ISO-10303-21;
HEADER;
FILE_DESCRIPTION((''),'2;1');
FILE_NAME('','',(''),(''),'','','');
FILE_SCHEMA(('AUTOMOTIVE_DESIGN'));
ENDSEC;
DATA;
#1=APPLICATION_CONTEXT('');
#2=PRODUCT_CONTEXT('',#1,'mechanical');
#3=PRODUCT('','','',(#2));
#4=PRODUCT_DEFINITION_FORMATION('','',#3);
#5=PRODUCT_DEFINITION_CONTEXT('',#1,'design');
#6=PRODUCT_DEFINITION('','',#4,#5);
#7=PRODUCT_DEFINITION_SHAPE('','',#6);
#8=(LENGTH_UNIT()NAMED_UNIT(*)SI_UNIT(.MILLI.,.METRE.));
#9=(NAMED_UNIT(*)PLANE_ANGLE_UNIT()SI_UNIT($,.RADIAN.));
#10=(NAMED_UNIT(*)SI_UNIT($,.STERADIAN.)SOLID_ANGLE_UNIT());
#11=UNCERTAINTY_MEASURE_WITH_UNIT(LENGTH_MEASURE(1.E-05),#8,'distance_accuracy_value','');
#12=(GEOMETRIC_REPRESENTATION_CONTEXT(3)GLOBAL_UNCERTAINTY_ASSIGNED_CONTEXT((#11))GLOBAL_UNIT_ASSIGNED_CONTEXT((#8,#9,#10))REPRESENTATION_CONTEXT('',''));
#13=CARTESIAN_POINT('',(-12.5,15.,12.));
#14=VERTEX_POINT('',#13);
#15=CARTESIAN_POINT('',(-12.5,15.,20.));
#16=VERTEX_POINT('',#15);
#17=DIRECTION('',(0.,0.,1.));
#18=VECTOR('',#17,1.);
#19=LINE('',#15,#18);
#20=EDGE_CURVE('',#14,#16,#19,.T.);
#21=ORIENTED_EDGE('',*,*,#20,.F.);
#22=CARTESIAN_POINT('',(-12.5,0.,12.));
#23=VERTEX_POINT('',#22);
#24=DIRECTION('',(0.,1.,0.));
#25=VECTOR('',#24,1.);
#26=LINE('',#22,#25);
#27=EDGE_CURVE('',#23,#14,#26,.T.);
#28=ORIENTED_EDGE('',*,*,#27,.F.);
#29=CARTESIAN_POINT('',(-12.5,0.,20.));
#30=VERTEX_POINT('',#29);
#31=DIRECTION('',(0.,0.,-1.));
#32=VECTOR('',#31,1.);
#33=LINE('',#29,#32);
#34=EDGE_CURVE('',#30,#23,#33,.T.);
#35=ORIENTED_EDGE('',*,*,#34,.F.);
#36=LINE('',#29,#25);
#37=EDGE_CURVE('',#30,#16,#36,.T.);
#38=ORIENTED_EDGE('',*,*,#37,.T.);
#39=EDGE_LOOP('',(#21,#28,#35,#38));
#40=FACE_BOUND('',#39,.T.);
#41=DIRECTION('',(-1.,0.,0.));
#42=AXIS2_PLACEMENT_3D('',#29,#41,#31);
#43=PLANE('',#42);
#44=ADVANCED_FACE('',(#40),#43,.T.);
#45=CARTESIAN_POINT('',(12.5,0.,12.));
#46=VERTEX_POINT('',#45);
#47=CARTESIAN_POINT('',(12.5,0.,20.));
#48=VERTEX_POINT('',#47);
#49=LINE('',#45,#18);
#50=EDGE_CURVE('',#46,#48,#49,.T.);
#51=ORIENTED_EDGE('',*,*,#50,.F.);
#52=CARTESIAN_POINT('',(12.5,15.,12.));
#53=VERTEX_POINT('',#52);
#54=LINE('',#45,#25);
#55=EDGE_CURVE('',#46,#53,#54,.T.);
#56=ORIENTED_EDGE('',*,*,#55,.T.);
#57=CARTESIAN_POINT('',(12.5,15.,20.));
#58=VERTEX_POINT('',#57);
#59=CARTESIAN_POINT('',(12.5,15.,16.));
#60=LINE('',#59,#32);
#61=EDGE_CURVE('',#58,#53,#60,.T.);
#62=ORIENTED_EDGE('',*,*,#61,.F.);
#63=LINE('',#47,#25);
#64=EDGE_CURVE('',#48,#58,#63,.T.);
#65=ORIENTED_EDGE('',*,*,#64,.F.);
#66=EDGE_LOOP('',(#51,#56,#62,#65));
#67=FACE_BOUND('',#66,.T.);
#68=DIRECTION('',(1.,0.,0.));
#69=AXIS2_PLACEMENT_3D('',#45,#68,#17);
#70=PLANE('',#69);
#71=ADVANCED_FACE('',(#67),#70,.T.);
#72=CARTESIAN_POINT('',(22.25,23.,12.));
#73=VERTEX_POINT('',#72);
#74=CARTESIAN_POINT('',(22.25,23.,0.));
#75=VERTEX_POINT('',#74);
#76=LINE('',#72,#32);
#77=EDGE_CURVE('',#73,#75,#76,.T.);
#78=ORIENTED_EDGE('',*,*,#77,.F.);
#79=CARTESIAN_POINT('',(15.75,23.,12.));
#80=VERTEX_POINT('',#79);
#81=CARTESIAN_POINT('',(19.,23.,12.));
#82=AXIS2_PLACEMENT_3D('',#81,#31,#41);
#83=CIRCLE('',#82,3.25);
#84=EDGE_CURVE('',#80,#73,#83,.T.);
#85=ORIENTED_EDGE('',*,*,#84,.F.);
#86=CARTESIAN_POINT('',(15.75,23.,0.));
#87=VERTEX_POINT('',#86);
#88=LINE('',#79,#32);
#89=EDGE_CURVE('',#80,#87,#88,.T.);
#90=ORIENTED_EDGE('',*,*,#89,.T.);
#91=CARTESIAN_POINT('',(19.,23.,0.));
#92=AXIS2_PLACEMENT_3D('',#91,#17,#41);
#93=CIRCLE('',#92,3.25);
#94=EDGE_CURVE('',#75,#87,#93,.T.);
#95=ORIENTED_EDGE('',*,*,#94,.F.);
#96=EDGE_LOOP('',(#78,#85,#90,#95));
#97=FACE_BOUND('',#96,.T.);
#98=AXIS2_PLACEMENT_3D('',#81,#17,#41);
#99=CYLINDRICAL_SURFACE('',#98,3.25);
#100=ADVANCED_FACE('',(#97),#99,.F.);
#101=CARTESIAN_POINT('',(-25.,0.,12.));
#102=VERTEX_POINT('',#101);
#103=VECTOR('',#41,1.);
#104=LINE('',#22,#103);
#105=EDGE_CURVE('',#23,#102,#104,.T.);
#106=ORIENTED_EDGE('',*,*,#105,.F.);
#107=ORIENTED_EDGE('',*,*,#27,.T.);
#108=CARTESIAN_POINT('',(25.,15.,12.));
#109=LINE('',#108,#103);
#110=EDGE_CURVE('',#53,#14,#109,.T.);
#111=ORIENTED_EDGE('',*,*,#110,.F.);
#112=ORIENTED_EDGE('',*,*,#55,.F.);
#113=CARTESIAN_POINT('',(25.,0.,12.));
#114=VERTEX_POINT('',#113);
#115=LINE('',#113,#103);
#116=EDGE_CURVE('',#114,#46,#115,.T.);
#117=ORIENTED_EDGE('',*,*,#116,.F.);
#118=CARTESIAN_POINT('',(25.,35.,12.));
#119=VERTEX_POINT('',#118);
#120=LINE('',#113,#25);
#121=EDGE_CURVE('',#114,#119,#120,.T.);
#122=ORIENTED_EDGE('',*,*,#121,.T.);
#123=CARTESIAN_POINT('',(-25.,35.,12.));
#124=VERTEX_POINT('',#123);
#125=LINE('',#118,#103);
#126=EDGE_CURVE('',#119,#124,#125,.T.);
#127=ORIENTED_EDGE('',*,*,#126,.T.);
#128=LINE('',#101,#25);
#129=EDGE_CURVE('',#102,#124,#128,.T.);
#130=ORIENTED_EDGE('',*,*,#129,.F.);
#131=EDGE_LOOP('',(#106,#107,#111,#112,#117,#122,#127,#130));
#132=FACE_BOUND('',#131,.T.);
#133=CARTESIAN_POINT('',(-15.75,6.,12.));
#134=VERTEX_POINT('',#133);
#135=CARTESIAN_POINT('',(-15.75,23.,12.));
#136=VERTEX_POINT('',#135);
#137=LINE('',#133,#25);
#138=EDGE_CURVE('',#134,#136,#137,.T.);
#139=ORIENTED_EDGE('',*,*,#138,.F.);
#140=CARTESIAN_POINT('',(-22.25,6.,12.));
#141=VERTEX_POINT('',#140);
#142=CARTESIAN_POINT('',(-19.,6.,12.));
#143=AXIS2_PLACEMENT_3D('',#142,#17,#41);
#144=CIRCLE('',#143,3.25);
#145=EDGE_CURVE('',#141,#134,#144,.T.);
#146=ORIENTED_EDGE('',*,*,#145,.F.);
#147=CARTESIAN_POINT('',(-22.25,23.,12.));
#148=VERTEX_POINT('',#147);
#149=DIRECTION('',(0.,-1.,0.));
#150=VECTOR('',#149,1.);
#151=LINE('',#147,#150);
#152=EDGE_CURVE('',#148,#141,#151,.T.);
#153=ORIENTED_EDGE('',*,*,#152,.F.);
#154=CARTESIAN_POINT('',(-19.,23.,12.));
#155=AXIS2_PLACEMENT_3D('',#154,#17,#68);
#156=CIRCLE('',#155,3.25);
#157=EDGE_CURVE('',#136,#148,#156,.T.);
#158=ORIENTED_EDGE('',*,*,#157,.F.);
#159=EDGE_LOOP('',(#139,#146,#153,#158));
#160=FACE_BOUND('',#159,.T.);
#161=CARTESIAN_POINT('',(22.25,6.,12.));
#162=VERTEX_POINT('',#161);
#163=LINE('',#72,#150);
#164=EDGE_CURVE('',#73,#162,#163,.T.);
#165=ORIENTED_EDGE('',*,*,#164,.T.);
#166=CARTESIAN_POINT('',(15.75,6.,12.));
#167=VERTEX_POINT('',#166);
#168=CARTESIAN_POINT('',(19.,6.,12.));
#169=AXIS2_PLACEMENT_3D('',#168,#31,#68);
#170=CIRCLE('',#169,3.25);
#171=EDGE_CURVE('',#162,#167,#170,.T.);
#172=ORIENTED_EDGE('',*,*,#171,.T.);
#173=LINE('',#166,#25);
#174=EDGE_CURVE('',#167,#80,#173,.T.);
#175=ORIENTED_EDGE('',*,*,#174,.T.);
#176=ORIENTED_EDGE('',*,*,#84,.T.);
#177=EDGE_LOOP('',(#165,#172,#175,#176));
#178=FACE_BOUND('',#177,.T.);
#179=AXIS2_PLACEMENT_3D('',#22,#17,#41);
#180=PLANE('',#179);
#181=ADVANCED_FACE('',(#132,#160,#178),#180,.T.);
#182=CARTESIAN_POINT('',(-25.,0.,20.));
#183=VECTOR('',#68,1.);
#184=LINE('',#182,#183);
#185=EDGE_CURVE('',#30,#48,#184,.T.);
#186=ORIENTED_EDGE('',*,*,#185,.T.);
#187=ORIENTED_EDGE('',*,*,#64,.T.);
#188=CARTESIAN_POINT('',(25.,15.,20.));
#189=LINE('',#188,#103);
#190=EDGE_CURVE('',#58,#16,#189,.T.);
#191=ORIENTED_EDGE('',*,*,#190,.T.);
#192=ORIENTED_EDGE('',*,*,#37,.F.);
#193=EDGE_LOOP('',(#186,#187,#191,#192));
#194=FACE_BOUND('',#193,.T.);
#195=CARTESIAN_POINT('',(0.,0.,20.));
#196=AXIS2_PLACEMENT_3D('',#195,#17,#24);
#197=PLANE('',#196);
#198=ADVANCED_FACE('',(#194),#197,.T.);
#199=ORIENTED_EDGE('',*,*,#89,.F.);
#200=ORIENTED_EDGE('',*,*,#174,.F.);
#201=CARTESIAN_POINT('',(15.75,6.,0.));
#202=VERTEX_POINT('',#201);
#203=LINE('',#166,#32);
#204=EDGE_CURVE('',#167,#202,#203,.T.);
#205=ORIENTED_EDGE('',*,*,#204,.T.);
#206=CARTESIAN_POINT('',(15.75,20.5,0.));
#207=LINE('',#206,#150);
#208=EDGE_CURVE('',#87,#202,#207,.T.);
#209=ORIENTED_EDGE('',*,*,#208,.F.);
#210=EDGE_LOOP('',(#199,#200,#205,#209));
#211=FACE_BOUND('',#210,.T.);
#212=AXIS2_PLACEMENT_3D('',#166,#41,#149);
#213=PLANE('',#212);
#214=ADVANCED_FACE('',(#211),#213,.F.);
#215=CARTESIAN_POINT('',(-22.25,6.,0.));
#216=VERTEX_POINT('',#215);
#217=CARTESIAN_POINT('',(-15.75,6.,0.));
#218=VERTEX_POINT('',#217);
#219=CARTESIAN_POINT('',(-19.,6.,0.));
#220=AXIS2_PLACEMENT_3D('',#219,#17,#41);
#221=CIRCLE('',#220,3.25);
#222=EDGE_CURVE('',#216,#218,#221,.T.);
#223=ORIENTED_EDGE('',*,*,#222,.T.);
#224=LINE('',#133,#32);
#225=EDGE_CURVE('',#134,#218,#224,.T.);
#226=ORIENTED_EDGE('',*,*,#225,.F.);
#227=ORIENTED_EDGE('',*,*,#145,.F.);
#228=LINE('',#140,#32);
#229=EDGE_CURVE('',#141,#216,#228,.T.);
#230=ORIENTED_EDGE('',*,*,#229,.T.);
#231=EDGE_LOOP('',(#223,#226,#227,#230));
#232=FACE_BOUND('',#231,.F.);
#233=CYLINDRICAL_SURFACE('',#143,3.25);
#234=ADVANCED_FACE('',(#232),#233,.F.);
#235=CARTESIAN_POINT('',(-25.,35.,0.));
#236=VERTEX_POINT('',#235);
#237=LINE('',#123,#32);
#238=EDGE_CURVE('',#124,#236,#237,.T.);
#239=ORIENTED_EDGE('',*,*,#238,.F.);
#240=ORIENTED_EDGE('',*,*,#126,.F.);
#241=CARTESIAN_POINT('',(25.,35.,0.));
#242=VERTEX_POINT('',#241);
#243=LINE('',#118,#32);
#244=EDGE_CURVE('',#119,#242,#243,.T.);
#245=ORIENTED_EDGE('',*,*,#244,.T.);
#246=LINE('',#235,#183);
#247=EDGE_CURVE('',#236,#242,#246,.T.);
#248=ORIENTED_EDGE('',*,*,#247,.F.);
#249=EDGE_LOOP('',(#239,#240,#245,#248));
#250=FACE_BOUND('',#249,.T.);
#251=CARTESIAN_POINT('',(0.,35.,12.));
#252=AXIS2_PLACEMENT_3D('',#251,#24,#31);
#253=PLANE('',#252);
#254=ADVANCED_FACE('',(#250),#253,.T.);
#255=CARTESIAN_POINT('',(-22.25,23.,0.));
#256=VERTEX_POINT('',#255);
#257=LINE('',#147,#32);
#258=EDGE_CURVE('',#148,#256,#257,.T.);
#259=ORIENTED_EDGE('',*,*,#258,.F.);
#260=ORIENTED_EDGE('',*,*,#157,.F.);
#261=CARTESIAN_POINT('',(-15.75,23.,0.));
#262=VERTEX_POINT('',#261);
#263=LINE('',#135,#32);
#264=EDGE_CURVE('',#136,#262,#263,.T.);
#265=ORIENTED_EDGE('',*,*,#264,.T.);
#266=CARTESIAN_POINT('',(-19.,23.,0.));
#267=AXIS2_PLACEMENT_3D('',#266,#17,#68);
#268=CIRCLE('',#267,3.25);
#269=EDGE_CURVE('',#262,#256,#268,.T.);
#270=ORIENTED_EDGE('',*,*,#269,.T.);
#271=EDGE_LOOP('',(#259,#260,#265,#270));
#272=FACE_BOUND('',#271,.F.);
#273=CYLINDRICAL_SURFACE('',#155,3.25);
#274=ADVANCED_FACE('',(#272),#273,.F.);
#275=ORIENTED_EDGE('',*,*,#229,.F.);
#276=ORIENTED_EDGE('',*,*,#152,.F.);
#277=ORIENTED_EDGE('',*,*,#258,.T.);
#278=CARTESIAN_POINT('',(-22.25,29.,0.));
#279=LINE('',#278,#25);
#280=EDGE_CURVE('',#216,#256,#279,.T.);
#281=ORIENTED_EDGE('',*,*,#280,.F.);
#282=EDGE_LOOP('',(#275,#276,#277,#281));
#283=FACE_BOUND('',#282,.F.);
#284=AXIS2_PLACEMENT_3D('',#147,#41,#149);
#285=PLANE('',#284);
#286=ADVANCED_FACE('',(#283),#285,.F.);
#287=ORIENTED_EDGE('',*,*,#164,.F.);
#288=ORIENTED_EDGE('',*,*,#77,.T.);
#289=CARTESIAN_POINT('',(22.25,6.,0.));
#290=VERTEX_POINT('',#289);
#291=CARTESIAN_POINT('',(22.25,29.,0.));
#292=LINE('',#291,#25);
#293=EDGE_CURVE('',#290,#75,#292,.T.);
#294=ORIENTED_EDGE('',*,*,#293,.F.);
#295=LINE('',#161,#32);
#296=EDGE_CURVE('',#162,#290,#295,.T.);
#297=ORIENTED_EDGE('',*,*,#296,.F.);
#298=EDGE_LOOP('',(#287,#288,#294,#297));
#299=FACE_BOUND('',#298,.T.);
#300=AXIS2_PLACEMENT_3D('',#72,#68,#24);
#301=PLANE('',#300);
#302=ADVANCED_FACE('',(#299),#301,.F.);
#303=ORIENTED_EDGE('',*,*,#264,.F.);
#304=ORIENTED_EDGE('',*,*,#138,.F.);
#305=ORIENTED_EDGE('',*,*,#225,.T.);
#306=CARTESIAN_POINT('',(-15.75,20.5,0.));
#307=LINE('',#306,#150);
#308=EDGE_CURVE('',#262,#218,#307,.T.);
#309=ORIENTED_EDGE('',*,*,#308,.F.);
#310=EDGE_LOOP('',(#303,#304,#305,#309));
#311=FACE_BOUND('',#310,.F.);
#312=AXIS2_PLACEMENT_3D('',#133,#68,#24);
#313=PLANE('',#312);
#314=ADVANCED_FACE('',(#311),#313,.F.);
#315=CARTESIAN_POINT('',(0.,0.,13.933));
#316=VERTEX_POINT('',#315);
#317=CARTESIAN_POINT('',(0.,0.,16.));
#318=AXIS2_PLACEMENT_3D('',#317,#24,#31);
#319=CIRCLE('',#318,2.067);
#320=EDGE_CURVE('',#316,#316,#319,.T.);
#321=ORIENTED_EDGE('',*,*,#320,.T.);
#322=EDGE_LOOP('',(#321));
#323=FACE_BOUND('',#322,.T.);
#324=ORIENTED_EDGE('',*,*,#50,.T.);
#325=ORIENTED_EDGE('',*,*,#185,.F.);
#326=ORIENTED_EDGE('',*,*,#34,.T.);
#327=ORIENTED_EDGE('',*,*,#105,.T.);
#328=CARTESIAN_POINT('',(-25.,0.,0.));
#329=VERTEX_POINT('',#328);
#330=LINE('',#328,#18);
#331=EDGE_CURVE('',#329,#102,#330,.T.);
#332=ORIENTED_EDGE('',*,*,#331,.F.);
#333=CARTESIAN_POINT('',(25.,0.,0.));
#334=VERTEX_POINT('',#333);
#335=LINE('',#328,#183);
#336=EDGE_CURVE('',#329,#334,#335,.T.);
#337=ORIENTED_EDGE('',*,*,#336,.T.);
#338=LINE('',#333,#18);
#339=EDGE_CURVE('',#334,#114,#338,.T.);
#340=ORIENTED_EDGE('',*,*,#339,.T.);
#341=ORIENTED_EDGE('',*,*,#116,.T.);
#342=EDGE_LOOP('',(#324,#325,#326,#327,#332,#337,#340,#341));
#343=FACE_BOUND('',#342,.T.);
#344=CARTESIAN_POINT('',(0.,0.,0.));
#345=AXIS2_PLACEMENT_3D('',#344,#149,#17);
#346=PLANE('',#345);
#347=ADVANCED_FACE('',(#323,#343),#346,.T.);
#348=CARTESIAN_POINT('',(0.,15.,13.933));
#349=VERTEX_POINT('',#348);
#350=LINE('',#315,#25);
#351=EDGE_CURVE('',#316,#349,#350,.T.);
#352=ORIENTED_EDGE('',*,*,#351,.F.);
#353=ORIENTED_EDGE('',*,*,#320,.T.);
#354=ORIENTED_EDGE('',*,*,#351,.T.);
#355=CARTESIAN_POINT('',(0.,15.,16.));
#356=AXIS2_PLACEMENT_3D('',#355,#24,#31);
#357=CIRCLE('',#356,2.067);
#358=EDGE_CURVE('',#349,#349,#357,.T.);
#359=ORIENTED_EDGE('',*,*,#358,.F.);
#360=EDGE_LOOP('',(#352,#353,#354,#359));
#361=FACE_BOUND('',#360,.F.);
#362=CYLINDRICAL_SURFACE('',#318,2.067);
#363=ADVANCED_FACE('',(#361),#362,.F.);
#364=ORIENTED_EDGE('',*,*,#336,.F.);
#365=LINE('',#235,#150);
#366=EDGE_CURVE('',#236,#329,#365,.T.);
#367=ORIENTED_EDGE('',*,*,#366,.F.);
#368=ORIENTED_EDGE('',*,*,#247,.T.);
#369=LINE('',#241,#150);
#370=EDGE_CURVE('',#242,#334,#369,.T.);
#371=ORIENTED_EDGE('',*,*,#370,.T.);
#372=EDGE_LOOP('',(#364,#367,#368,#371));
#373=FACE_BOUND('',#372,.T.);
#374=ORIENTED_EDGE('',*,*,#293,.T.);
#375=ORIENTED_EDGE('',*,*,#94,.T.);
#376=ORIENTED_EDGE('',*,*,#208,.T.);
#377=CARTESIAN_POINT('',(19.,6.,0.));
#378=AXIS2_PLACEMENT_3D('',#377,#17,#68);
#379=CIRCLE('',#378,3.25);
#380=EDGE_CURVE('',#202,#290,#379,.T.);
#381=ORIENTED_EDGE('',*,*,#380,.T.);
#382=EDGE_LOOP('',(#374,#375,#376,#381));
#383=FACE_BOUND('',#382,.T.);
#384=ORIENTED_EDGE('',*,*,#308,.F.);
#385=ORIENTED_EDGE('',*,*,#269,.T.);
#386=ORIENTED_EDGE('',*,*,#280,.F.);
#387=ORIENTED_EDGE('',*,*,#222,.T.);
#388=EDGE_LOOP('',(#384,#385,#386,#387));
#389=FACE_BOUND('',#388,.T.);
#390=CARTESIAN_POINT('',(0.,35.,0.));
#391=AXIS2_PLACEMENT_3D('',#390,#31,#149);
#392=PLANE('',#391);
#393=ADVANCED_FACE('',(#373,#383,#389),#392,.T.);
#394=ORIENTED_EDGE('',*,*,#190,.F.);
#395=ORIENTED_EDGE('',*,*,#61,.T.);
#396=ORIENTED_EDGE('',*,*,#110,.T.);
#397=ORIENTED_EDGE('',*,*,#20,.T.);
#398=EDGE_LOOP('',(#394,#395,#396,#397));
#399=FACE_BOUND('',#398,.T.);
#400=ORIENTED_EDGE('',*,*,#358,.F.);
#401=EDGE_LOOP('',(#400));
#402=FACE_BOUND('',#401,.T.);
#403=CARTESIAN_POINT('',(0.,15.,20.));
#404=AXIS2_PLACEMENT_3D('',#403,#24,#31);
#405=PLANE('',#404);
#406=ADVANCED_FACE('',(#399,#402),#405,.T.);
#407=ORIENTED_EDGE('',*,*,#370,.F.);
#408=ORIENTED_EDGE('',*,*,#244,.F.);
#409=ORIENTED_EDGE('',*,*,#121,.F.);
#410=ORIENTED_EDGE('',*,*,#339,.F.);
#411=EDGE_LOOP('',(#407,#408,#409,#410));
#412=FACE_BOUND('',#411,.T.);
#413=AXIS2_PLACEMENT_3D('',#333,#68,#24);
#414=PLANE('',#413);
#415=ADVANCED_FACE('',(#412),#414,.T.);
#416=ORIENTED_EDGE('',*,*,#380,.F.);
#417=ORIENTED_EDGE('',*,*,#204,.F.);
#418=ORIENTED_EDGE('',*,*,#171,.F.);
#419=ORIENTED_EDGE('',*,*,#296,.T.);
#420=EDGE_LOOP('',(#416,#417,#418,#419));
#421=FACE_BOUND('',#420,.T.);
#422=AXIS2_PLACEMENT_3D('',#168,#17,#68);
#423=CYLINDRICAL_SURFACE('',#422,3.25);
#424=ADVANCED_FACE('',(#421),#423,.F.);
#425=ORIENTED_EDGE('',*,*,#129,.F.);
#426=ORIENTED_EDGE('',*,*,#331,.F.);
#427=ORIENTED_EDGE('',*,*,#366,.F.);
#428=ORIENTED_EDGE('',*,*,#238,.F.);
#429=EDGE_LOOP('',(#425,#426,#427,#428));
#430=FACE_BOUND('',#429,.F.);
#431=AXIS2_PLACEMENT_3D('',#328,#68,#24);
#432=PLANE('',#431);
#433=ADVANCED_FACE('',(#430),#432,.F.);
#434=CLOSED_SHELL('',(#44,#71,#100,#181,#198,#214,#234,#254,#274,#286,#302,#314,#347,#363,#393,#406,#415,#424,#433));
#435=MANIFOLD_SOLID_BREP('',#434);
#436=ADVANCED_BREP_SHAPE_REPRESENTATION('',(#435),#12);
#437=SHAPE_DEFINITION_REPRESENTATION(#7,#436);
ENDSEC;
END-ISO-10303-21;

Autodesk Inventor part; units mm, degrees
ref_plane "YZ Plane" through (0, 0, 0) normal (1, 0, 0) x (0, 1, 0)
ref_plane "XZ Plane" through (0, 0, 0) normal (0, 1, 0) x (-1, 0, 0)
ref_plane "XY Plane" through (0, 0, 0) normal (0, 0, 1) x (1, 0, 0)
sketch "Sketch1" plane through (0, 0, 0) normal (1, 0, 0) x (0, 1, 0)
  line L0 (0, 20) -> (15, 20)
  line L1 (15, 20) -> (15, 12)
  line L2 (15, 12) -> (35, 12)
  line L3 (35, 12) -> (35, 0)
  line L4 (35, 0) -> (0, 0)
  line L5 (0, 0) -> (0, 20)
  dimension "d0" = 35
  dimension "d30" = 20
  dimension "d31" = 8
  dimension "d33" = 20
extrude "Extrusion1" add sketch "Sketch1" along normal mid plane 50
sketch "Sketch2" plane through (-25, 0, 0) normal (0, -1, 0) x (1, 0, 0)
  line L0 (0, 20) -> (12.5, 20)
  line L1 (12.5, 20) -> (12.5, 12)
  line L2 (12.5, 12) -> (0, 12)
  line L3 (0, 12) -> (0, 20)
  line L4 (37.5, 20) -> (50, 20)
  line L5 (50, 20) -> (50, 12)
  line L6 (50, 12) -> (37.5, 12)
  line L7 (37.5, 12) -> (37.5, 20)
  line L8 (0, 20) -> (50, 20) projected
  line L9 (50, 12) -> (0, 12) projected
  dimension "d15" = 25
extrude "Extrusion2" cut sketch "Sketch2" against normal through all contours L0 L1 L2 L3 | L4 L5 L6 L7
sketch "Sketch4" plane through (-25, 35, 12) normal (0, 0, 1) x (1, 0, 0)
  line L0 (6, -29) -> (6, -12) construction
  line L1 (9.25, -29) -> (9.25, -12)
  line L2 (2.75, -12) -> (2.75, -29)
  arc A0 (2.75, -29) -> (9.25, -29) centre (6, -29) ccw
  arc A1 (9.25, -12) -> (2.75, -12) centre (6, -12) ccw
  line L3 (12.5, -35) -> (0, -35) projected
  line L4 (0, -35) -> (0, 0) projected
  point P0 (6, -20.5)
  dimension "d24" = 6.5
  dimension "d25" = 17
  dimension "d38" = 6
  dimension "d39" = 6
extrude "Extrusion3" cut sketch "Sketch4" against normal through all
mirror "Mirror1" about plane through (0, 0, 0) normal (1, 0, 0) of "Extrusion3"
sketch "Sketch5" plane through (-25, 0, 0) normal (0, -1, 0) x (1, 0, 0)
  line L0 (12.5, 20) -> (37.5, 20) projected
  point P0 (25, 0)
  point P1 (25, 16)
  point P2 (25, 20)
  dimension "d40" = 4
hole "Hole1" at (0, 0, 16) direction (0, 1, 0) diameter 4.134 end through all thread size "M5x0.8" designation "M5" class "6H" standard "ISO Metric profile"
properties part number "Clamping Block" material "Aluminum 6061"
